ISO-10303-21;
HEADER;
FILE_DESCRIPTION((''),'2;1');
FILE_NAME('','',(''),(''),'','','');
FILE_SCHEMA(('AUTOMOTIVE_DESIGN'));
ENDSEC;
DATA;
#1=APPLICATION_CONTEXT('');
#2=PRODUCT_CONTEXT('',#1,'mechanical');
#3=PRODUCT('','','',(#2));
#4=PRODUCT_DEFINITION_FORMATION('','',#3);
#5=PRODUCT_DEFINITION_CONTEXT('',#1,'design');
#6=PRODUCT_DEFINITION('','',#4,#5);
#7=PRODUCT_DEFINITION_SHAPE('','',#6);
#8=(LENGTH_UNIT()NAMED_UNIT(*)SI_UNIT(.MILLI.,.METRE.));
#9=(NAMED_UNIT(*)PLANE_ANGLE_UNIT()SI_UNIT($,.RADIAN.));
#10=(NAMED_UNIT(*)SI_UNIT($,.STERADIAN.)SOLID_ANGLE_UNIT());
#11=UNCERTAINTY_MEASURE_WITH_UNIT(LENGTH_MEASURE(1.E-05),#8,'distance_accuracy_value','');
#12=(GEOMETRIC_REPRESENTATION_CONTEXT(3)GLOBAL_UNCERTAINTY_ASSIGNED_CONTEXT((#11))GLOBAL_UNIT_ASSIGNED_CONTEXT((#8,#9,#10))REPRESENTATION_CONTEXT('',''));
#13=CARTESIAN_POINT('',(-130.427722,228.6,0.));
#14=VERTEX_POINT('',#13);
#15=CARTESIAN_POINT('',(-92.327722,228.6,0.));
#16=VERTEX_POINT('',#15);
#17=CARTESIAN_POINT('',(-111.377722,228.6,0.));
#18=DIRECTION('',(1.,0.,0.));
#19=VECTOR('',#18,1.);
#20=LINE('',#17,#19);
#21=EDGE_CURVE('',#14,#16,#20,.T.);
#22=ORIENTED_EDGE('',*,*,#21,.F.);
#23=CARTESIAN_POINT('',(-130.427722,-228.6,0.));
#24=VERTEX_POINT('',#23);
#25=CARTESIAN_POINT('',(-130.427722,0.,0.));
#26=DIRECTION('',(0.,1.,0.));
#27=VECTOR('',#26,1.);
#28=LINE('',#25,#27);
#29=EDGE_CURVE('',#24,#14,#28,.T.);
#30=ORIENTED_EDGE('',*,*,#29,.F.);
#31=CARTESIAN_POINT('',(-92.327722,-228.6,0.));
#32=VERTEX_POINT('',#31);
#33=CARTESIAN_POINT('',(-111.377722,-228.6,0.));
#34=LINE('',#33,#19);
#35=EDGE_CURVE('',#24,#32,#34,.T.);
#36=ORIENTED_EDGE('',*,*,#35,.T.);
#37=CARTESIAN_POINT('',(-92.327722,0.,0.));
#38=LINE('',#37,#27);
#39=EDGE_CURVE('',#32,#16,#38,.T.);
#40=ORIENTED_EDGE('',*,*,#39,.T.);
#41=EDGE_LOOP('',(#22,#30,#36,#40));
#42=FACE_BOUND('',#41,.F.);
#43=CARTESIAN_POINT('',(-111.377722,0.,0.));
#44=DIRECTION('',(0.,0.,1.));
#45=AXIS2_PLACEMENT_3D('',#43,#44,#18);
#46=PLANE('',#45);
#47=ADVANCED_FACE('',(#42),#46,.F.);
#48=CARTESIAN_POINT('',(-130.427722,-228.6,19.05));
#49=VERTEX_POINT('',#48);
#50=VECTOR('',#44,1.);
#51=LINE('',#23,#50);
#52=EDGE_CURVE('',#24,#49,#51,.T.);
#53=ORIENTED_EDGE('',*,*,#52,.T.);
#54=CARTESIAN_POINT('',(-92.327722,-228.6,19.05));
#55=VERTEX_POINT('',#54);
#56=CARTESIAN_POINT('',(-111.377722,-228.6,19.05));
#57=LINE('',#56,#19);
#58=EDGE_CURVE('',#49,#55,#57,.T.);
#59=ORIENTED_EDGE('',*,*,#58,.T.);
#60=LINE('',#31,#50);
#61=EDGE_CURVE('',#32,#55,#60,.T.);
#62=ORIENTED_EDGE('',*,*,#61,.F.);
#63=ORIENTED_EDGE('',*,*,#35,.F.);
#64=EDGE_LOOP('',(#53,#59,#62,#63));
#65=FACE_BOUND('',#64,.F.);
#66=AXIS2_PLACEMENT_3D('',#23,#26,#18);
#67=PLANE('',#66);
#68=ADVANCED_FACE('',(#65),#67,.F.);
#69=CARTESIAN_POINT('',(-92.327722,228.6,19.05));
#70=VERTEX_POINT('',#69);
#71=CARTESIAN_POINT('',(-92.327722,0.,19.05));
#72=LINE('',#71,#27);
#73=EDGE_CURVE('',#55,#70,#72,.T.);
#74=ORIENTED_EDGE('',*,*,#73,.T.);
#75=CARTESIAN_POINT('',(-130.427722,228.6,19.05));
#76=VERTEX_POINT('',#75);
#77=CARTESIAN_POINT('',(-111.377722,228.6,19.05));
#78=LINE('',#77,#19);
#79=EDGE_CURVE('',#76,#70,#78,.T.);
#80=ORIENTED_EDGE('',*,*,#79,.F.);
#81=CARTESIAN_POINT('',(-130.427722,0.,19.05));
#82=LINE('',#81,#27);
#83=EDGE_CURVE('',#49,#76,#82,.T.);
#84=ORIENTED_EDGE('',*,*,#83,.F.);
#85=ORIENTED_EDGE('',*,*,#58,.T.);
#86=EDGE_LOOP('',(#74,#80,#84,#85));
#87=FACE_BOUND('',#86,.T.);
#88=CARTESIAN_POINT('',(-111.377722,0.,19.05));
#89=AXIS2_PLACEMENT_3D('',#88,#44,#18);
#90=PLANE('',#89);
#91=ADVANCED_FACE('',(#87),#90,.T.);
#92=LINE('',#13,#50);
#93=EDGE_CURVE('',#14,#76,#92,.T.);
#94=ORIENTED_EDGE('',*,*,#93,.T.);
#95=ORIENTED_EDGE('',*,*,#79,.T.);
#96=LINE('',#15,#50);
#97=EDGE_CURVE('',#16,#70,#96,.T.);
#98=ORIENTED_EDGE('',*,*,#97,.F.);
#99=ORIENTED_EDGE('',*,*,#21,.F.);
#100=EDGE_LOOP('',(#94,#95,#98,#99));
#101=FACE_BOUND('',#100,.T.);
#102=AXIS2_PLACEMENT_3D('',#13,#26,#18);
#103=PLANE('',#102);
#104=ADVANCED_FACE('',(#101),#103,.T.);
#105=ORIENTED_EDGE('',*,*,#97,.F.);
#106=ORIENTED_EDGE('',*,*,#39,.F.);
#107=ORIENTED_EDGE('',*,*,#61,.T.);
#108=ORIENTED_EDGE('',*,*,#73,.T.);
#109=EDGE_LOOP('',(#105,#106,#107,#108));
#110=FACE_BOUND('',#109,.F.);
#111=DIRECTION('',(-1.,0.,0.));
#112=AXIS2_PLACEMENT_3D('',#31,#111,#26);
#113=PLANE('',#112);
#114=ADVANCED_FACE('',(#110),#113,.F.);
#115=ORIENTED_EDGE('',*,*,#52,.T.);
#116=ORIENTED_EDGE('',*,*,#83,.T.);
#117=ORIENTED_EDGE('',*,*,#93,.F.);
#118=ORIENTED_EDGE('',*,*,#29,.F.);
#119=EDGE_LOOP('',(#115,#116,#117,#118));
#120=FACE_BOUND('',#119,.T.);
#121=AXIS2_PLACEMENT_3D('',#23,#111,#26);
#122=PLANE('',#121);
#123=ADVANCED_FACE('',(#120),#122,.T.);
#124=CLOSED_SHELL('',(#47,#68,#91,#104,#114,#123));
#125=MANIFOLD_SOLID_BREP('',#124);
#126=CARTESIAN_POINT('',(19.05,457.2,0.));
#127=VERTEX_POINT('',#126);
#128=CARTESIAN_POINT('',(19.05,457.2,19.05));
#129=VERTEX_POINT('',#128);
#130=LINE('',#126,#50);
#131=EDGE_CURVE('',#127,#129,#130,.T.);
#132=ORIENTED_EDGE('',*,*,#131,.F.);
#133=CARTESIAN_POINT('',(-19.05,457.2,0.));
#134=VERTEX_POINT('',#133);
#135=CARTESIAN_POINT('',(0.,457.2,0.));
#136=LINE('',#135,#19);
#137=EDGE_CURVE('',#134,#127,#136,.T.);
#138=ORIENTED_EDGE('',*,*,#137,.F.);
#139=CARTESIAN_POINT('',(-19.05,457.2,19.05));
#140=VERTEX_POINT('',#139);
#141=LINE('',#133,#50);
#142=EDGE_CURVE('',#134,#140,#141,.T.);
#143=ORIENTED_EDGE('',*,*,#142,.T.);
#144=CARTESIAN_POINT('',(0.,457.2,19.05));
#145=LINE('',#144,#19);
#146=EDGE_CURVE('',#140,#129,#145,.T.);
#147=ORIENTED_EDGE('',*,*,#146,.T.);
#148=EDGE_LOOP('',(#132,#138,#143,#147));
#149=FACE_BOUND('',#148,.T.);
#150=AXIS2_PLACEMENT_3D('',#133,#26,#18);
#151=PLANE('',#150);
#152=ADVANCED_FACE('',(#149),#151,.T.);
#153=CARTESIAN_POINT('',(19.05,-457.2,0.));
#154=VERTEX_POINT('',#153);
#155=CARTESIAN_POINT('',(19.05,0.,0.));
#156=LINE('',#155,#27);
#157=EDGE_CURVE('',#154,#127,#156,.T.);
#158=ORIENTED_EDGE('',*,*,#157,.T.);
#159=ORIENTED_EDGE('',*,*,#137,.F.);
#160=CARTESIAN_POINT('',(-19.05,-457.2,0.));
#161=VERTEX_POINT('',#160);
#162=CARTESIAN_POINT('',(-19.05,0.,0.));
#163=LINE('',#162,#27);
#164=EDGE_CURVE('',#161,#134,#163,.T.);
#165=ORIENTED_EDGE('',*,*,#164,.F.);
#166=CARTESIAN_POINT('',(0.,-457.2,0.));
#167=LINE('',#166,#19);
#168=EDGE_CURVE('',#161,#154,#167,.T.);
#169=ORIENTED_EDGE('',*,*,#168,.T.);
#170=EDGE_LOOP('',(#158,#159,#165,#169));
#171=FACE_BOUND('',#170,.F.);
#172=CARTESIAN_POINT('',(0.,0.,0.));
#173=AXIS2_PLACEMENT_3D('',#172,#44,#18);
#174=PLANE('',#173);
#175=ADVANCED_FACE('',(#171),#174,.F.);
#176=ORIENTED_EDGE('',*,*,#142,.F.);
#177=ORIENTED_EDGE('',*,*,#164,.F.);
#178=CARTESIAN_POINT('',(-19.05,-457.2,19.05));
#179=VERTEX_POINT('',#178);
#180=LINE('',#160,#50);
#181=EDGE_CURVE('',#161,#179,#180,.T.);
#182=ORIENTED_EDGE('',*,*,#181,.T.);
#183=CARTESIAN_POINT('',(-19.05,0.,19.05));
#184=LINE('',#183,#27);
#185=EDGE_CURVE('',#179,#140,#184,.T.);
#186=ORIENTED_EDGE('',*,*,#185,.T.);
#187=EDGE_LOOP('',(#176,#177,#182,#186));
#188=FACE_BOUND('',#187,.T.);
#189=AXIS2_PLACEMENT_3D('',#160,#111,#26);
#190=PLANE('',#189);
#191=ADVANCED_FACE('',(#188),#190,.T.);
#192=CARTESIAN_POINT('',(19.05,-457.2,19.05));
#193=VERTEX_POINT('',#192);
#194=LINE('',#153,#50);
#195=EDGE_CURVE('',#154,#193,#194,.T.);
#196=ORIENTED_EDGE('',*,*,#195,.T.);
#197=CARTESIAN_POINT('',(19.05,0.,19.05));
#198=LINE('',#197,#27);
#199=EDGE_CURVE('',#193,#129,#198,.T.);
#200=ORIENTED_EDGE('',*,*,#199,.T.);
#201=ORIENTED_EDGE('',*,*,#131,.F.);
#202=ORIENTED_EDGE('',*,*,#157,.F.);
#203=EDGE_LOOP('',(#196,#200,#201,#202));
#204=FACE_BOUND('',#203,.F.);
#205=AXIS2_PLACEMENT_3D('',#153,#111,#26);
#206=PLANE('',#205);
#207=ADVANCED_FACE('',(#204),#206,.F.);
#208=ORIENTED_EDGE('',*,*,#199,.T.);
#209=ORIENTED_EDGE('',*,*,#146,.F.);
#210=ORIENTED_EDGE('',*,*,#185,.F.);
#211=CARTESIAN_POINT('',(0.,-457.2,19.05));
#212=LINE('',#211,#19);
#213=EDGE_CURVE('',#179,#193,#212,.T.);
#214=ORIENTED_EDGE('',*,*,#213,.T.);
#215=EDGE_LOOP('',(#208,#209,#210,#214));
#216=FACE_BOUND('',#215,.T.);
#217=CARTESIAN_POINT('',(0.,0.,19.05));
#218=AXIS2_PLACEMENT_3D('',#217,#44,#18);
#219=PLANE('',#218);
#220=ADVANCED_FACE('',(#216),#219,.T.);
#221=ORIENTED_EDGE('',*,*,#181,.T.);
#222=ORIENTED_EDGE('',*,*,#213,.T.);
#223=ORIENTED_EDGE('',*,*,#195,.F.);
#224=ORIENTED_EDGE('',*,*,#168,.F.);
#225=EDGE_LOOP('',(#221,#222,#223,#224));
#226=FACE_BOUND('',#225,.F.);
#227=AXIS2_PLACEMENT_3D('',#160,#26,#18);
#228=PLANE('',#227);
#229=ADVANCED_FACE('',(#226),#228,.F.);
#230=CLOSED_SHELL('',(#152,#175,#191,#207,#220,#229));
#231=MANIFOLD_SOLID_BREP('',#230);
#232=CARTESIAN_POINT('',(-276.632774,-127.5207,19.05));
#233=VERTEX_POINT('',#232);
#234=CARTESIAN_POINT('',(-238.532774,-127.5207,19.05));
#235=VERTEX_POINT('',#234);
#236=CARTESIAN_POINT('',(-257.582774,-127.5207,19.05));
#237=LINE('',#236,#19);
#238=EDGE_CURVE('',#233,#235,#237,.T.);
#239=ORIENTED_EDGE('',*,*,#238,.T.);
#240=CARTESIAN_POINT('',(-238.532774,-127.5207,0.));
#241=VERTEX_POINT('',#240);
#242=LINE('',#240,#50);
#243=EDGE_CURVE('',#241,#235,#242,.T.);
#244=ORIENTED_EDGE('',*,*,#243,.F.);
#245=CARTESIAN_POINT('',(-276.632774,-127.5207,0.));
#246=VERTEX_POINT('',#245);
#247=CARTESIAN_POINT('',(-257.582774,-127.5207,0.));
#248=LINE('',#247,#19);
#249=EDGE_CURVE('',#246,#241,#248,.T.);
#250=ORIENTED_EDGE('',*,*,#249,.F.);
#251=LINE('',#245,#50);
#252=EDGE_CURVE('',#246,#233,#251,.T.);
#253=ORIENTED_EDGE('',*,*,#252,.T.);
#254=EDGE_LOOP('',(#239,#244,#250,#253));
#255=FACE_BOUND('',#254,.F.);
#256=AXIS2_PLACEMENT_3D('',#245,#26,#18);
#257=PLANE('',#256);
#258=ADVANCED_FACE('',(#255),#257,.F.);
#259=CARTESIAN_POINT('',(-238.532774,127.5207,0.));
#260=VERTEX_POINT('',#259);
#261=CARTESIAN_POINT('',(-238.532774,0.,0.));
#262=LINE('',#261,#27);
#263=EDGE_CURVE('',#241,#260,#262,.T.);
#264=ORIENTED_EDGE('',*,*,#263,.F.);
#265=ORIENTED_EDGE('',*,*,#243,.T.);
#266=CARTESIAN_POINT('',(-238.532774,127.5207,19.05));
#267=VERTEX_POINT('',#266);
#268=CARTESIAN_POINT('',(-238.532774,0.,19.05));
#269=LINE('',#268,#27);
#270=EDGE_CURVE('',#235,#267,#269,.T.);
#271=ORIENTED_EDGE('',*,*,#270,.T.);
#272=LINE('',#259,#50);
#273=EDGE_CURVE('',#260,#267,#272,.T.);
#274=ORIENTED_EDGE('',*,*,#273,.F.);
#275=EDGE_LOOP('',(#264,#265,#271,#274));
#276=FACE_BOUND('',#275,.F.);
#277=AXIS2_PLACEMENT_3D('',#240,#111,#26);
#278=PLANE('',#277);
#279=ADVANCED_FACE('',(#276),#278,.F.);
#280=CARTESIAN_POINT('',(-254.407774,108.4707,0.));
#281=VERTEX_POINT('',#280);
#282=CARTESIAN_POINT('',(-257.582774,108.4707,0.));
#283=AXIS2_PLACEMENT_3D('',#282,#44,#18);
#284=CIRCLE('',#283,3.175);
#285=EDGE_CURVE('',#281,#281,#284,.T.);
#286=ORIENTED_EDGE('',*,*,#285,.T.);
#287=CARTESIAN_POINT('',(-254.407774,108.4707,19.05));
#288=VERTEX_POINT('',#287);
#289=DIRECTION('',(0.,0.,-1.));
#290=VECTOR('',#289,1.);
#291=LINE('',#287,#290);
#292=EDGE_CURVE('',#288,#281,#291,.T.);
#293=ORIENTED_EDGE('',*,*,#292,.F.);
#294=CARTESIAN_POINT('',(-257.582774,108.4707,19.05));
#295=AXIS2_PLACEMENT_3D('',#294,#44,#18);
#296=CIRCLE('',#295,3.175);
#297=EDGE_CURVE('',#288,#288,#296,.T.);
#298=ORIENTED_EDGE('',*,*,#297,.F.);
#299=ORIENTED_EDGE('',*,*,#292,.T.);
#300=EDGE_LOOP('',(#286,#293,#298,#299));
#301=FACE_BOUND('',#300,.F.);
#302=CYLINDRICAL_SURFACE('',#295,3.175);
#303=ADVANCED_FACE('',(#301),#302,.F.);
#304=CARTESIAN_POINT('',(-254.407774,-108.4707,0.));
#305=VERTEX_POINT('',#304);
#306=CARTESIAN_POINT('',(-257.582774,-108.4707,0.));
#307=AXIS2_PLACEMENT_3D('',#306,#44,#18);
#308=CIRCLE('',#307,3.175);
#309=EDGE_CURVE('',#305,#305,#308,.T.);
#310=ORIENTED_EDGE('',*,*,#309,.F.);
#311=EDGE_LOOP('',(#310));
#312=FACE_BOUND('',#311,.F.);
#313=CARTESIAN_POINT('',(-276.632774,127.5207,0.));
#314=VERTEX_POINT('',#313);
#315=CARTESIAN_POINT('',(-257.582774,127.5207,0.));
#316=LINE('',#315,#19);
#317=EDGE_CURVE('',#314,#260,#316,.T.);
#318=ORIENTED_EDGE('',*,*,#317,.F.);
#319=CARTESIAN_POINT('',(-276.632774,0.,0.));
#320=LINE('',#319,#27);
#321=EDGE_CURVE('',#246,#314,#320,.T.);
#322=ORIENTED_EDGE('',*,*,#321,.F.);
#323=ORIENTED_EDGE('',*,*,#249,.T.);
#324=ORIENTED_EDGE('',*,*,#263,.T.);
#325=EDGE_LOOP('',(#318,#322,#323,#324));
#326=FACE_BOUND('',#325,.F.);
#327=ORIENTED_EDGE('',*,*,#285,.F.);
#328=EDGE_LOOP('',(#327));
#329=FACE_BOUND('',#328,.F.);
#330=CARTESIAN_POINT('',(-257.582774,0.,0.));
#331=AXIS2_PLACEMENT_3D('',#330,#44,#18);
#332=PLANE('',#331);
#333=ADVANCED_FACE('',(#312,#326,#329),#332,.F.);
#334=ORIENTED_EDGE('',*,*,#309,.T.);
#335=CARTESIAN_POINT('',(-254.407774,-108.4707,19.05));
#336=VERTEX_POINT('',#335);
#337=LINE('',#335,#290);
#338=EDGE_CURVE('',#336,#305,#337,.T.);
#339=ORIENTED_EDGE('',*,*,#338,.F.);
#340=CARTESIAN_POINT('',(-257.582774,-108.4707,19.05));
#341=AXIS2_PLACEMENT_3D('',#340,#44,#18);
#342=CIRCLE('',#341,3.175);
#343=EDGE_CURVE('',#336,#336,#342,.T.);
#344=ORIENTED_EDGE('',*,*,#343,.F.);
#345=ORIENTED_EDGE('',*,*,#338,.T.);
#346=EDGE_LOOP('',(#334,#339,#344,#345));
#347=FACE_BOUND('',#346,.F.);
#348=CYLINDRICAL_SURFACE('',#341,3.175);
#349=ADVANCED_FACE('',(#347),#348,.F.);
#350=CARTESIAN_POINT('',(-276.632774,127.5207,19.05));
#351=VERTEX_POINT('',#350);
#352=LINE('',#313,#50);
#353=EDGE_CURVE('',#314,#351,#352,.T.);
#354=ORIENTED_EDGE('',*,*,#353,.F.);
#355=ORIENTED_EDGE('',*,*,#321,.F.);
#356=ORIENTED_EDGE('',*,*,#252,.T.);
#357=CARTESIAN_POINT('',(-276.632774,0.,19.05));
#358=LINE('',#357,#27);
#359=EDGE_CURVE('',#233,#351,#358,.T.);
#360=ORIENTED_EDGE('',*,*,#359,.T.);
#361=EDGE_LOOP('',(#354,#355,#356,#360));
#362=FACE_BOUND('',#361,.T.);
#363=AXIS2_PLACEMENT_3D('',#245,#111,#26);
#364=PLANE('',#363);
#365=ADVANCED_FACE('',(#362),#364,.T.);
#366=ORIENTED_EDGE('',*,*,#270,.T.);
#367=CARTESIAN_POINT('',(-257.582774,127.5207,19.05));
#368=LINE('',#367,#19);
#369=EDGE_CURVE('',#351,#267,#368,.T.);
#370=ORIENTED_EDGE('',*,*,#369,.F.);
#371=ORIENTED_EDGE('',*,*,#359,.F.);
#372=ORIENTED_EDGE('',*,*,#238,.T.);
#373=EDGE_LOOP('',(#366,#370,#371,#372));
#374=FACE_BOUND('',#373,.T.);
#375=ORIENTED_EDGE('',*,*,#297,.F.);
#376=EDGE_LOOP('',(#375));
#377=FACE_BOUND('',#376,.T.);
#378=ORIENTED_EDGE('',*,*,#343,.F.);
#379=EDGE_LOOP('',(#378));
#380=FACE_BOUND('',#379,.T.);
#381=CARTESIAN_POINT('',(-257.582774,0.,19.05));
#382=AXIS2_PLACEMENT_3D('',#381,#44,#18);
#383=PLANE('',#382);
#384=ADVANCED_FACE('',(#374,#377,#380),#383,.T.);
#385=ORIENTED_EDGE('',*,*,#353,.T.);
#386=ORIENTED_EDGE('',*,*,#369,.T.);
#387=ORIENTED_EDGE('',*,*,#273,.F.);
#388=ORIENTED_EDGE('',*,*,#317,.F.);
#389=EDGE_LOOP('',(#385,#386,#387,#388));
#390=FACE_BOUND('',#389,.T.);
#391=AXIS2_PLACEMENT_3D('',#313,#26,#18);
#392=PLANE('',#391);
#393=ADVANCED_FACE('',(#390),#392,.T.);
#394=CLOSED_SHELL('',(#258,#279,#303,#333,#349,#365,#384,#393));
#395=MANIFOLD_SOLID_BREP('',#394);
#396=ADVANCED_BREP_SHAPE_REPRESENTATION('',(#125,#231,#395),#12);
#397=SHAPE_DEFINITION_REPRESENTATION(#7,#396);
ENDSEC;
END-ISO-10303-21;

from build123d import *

# Parameters (mm, degrees)
F0_W     = 38.1
F0_H     = 914.4
F1_DEPTH = 19.05
F2_W     = 38.1
F2_H     = 457.2
F3_DEPTH = 19.05
F5_W     = 38.1
F5_H     = 255.0414
F6_DEPTH = 19.05
F7_R     = 3.175
F8_DEPTH = 19.051


with BuildPart() as f1:
    # F0 (on Top) → F1 (new body)
    with BuildSketch(Plane.XY):
        Rectangle(F0_W, F0_H)
    extrude(amount=F1_DEPTH)


with BuildPart() as f3:
    # F2 (on Top) → F3 (new body)
    with BuildSketch(Plane.XY):
        with Locations((-111.377722, 0)):
            Rectangle(F2_W, F2_H)
    extrude(amount=F3_DEPTH)


with BuildPart() as f6:
    # F5 (on Top) → F6 (new body)
    with BuildSketch(Plane.XY):
        with Locations((-257.582774, 0)):
            Rectangle(F5_W, F5_H)
    extrude(amount=F6_DEPTH)

    # F7 (on face) → F8 (cut, through all)
    with BuildSketch(Plane.XY.offset(19.05)):
        with Locations((-257.582774, 108.4707)):
            Circle(F7_R)
        with Locations((-257.582774, -108.4707)):
            Circle(F7_R)
    extrude(amount=-F8_DEPTH, mode=Mode.SUBTRACT)


solid = Compound([f1.part, f3.part, f6.part])
